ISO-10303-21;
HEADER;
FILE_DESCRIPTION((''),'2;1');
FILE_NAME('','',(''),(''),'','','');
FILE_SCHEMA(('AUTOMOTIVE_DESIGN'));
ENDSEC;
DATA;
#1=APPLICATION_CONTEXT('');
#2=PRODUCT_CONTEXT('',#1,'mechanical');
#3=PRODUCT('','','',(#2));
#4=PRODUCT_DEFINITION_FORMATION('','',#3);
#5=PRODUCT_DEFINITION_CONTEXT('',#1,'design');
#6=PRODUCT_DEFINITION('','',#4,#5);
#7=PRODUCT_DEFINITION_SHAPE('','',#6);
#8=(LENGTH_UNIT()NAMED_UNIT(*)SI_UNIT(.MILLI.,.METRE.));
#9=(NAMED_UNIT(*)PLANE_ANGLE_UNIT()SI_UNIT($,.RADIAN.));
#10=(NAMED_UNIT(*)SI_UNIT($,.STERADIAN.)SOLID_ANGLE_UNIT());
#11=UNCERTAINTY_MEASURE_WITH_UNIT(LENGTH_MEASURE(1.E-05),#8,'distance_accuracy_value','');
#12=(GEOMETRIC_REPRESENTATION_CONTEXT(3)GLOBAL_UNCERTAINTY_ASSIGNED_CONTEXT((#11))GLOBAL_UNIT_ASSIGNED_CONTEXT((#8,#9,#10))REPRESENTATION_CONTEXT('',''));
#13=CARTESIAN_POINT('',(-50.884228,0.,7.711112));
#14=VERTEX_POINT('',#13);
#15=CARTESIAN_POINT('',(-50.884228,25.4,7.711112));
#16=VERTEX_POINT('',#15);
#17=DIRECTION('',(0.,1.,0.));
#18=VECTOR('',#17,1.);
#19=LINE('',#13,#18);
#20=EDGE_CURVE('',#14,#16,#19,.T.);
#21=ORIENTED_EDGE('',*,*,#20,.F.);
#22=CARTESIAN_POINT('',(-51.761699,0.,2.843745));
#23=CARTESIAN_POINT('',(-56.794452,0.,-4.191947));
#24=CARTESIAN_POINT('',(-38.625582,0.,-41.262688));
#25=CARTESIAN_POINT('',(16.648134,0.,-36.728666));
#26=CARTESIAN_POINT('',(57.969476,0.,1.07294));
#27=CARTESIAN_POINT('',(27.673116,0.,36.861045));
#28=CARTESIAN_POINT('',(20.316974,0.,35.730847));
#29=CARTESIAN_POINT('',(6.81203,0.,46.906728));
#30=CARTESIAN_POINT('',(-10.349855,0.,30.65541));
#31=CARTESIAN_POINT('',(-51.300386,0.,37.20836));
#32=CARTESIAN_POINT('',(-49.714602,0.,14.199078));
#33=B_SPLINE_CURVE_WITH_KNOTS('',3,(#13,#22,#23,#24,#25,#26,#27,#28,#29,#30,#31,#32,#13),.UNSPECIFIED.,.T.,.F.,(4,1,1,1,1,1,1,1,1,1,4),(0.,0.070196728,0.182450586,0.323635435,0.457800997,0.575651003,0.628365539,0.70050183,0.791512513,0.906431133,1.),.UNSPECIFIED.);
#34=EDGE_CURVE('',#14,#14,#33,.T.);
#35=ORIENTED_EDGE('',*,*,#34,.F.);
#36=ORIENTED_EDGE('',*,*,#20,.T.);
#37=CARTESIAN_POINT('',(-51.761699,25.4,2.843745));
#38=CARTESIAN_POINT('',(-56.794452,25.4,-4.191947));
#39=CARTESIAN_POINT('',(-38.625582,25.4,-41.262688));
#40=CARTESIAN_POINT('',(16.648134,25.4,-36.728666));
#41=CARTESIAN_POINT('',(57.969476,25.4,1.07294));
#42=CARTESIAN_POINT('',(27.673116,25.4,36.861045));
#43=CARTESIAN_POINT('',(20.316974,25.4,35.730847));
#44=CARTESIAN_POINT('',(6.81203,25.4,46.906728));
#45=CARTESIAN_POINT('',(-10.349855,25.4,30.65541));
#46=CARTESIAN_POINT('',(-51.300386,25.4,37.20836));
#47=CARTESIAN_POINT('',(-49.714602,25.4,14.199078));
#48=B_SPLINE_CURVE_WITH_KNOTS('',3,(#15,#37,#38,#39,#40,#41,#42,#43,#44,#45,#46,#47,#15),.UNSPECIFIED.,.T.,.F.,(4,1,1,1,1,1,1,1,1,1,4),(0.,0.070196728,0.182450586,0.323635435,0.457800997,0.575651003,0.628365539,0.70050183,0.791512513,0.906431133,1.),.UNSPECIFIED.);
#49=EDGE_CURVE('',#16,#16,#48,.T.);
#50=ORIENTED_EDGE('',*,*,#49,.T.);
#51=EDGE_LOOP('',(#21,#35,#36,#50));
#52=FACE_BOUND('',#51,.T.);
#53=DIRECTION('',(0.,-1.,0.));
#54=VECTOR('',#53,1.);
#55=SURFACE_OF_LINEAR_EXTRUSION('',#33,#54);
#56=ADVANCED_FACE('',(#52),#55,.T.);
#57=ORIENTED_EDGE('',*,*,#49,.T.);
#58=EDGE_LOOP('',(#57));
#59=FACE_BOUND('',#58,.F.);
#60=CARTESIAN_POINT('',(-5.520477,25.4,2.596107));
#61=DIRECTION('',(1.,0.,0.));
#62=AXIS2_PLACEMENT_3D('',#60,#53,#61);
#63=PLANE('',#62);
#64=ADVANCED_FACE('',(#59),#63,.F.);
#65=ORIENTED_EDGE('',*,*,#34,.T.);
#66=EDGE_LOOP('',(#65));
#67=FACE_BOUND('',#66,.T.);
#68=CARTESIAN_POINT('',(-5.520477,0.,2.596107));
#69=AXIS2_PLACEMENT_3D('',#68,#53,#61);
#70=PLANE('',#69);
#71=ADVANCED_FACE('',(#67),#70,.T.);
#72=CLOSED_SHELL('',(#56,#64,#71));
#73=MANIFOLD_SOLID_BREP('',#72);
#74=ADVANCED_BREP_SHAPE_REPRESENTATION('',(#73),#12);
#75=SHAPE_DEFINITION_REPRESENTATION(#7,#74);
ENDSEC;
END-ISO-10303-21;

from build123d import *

# Parameters (mm, degrees)
F1_DEPTH = 25.4


with BuildPart() as f1:
    # F0 (on Front) → F1 (new body)
    with BuildSketch(Plane.XZ):
        with BuildLine():
            add(Edge.make_bspline(
                [(-50.8842281997, 7.7111115679), (-51.7616987674, 2.8437445403), (-56.7944524338, -4.1919474831), (-38.6255820931, -41.2626882793), (16.6481340481, -36.7286660212), (57.9694764934, 1.0729397794), (27.6731162219, 36.8610448001), (20.3169740604, 35.7308472831), (6.8120300811, 46.906727988), (-10.3498546174, 30.6554103056), (-51.3003859978, 37.2083604456), (-49.7146020853, 14.1990779951), (-50.8842281997, 7.7111115679)],
                knots=[0, 0, 0, 0, 0.0701967285, 0.1824505855, 0.3236354353, 0.4578009975, 0.5756510029, 0.6283655395, 0.7005018299, 0.791512513, 0.906431133, 1, 1, 1, 1], degree=3))
        make_face()
    extrude(amount=-F1_DEPTH)


solid = f1.part
